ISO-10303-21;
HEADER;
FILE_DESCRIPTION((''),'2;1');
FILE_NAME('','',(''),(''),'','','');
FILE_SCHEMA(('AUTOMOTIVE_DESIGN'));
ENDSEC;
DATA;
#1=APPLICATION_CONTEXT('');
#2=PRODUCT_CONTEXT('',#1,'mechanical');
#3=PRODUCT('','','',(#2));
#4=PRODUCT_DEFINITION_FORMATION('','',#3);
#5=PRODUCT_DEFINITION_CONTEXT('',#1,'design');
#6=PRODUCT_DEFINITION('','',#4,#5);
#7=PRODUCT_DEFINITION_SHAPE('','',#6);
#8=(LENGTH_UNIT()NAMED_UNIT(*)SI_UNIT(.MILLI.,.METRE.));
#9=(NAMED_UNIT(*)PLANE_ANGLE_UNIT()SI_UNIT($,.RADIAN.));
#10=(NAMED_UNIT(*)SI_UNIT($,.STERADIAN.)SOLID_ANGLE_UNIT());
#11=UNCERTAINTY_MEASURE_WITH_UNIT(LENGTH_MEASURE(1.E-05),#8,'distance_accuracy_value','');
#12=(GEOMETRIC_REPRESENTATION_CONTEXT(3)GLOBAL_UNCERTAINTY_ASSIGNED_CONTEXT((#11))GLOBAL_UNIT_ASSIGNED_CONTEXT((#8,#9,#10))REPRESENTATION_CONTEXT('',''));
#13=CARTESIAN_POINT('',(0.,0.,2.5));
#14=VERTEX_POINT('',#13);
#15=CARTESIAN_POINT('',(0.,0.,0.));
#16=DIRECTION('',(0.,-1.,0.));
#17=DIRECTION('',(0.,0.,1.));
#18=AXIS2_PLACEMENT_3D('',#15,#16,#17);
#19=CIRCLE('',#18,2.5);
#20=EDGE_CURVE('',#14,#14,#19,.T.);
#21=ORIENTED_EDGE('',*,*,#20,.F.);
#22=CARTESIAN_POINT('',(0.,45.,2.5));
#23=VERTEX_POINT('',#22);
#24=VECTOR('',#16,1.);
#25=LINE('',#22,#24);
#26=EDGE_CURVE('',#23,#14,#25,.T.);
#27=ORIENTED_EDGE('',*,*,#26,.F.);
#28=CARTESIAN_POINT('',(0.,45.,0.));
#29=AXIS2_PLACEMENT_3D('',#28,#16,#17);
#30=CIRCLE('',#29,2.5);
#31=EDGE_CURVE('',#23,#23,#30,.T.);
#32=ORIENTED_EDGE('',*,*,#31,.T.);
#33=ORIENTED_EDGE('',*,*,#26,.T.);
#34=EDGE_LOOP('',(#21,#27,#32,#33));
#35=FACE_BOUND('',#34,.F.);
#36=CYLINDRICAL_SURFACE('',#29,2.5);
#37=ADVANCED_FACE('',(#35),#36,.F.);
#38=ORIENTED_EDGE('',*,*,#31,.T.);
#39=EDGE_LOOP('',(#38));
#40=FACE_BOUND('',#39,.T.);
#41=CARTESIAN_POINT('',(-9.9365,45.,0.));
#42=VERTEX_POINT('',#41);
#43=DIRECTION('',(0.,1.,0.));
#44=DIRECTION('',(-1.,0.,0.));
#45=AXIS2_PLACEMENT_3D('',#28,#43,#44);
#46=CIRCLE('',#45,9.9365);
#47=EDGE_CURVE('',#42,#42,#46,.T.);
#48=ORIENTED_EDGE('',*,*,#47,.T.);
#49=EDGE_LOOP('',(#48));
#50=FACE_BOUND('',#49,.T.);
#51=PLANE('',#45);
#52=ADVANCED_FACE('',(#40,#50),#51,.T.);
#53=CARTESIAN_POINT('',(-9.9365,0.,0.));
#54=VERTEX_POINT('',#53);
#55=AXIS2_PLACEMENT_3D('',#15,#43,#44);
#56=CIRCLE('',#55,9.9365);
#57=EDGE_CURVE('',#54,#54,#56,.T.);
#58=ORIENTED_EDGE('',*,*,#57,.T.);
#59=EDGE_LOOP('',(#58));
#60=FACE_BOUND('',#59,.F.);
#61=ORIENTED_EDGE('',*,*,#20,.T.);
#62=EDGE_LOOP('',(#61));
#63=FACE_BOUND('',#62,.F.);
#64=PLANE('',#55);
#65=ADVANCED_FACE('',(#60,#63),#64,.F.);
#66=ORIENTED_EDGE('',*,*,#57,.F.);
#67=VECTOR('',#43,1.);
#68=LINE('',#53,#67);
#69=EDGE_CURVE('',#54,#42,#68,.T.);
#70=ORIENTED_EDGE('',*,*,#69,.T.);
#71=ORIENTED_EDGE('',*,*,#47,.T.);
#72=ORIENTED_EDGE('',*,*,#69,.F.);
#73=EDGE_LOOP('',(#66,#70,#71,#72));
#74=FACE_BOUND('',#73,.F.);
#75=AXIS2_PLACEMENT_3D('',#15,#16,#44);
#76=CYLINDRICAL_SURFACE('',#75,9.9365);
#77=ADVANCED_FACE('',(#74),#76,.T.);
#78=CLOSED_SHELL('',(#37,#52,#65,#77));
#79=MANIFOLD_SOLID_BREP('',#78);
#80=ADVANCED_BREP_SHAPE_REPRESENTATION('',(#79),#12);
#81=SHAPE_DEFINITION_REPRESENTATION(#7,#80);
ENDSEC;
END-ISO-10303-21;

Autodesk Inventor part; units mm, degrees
ref_plane "YZ Plane" through (0, 0, 0) normal (1, 0, 0) x (0, 1, 0)
ref_plane "XZ Plane" through (0, 0, 0) normal (0, 1, 0) x (-1, 0, 0)
ref_plane "XY Plane" through (0, 0, 0) normal (0, 0, 1) x (1, 0, 0)
sketch "Boceto1" plane through (0, 0, 0) normal (0, 1, 0) x (-1, 0, 0)
  circle A0 centre (0, 0) radius 9.9365
extrude "Extrusión1" add sketch "Boceto1" along normal blind 30
extrude "Extrusión2" cut sketch "Boceto1" along normal blind 30
extrude "Extrusión3" add sketch "Boceto1" along normal blind 45
sketch "Boceto2" plane through (0, 45, 0) normal (0, 1, 0) x (1, 0, 0)
  point P0 (0, 0)
hole "Agujero1" at (0, 45, 0) direction (0, -1, 0) diameter 5 end through all
properties part number "pieza base de bobina"
